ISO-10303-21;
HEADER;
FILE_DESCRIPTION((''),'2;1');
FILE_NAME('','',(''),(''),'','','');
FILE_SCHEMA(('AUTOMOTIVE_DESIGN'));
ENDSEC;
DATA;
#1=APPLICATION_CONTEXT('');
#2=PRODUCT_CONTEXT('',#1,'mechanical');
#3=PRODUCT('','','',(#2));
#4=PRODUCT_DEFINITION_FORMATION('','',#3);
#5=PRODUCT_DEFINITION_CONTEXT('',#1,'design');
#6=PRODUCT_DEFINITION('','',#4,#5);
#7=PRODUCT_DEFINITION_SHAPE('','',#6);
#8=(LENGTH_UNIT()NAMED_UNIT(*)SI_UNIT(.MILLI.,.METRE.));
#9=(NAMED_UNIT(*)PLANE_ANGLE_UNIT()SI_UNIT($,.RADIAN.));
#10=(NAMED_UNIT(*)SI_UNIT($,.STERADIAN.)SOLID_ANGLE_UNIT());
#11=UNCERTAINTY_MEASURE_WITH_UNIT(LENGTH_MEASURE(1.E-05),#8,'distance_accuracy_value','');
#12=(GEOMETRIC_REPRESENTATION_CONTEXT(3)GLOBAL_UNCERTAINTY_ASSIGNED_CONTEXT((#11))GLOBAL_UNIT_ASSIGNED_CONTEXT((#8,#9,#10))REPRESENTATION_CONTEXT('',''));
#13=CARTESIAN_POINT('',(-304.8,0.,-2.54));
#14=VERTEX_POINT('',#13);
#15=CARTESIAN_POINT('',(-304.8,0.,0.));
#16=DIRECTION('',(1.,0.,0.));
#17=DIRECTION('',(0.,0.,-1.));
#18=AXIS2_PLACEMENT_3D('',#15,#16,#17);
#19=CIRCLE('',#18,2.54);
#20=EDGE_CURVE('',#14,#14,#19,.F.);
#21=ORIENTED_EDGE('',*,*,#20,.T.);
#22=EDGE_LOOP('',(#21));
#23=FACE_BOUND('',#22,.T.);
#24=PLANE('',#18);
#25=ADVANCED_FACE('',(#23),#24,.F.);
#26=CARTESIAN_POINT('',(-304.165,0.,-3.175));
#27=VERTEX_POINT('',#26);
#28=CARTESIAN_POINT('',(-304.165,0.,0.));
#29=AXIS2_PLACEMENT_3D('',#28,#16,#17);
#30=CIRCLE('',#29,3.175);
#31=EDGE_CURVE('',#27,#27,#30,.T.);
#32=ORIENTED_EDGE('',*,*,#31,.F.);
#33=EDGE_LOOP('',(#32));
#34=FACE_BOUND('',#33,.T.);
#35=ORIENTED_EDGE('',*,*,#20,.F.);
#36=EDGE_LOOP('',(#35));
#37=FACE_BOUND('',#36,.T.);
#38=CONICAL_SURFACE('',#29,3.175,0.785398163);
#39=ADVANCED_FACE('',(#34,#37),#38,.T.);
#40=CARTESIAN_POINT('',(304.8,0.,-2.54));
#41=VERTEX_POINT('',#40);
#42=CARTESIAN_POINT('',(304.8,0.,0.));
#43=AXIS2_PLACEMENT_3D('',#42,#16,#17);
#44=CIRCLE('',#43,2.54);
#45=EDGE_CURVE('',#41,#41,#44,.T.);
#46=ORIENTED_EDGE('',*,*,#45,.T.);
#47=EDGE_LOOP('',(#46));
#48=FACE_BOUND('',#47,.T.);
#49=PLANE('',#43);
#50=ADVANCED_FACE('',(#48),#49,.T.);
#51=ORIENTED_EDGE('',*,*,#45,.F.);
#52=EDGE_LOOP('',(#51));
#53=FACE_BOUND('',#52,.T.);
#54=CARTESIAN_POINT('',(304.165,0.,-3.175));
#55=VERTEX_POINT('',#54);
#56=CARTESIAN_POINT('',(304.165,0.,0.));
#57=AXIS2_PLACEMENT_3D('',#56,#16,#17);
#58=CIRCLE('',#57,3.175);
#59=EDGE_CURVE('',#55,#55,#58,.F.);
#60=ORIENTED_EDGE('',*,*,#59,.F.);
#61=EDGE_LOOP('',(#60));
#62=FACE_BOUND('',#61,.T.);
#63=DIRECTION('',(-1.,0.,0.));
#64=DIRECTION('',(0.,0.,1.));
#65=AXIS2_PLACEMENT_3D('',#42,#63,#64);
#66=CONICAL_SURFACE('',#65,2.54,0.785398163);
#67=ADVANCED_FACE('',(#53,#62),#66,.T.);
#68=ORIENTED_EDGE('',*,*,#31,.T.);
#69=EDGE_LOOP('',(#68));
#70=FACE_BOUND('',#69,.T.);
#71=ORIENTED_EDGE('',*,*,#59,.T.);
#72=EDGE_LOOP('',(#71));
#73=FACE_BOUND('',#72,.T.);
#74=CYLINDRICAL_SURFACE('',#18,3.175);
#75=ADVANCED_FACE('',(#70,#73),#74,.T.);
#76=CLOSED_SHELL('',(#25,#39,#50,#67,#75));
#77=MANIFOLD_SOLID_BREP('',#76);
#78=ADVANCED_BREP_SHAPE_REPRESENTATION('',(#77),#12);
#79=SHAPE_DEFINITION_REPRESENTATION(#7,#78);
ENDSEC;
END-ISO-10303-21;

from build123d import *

# Parameters (mm, degrees)
SKETCH2_R           = 3.175
EXTRUDE1_DEPTH      = 304.8
EXTRUDE1_DEPTH_BACK = 304.8
CHAMFER1_SIZE       = 0.635


with BuildPart() as part:
    # Sketch2 → Extrude1 (new body, two sides)
    with BuildSketch(Plane(origin=(0, 0, 0), x_dir=(0, 0, -1), z_dir=(1, 0, 0))) as extrude1_sk:
        Circle(SKETCH2_R)
    extrude(amount=EXTRUDE1_DEPTH)
    extrude(extrude1_sk.sketch, amount=-EXTRUDE1_DEPTH_BACK)

    # Chamfer1
    chamfer1_edges = [part.edges().sort_by_distance(p)[0] for p in [
        (-304.8, 0, 3.175),
        (304.8, 0, 3.175),
    ]]
    chamfer(chamfer1_edges, length=CHAMFER1_SIZE)


solid = part.part
